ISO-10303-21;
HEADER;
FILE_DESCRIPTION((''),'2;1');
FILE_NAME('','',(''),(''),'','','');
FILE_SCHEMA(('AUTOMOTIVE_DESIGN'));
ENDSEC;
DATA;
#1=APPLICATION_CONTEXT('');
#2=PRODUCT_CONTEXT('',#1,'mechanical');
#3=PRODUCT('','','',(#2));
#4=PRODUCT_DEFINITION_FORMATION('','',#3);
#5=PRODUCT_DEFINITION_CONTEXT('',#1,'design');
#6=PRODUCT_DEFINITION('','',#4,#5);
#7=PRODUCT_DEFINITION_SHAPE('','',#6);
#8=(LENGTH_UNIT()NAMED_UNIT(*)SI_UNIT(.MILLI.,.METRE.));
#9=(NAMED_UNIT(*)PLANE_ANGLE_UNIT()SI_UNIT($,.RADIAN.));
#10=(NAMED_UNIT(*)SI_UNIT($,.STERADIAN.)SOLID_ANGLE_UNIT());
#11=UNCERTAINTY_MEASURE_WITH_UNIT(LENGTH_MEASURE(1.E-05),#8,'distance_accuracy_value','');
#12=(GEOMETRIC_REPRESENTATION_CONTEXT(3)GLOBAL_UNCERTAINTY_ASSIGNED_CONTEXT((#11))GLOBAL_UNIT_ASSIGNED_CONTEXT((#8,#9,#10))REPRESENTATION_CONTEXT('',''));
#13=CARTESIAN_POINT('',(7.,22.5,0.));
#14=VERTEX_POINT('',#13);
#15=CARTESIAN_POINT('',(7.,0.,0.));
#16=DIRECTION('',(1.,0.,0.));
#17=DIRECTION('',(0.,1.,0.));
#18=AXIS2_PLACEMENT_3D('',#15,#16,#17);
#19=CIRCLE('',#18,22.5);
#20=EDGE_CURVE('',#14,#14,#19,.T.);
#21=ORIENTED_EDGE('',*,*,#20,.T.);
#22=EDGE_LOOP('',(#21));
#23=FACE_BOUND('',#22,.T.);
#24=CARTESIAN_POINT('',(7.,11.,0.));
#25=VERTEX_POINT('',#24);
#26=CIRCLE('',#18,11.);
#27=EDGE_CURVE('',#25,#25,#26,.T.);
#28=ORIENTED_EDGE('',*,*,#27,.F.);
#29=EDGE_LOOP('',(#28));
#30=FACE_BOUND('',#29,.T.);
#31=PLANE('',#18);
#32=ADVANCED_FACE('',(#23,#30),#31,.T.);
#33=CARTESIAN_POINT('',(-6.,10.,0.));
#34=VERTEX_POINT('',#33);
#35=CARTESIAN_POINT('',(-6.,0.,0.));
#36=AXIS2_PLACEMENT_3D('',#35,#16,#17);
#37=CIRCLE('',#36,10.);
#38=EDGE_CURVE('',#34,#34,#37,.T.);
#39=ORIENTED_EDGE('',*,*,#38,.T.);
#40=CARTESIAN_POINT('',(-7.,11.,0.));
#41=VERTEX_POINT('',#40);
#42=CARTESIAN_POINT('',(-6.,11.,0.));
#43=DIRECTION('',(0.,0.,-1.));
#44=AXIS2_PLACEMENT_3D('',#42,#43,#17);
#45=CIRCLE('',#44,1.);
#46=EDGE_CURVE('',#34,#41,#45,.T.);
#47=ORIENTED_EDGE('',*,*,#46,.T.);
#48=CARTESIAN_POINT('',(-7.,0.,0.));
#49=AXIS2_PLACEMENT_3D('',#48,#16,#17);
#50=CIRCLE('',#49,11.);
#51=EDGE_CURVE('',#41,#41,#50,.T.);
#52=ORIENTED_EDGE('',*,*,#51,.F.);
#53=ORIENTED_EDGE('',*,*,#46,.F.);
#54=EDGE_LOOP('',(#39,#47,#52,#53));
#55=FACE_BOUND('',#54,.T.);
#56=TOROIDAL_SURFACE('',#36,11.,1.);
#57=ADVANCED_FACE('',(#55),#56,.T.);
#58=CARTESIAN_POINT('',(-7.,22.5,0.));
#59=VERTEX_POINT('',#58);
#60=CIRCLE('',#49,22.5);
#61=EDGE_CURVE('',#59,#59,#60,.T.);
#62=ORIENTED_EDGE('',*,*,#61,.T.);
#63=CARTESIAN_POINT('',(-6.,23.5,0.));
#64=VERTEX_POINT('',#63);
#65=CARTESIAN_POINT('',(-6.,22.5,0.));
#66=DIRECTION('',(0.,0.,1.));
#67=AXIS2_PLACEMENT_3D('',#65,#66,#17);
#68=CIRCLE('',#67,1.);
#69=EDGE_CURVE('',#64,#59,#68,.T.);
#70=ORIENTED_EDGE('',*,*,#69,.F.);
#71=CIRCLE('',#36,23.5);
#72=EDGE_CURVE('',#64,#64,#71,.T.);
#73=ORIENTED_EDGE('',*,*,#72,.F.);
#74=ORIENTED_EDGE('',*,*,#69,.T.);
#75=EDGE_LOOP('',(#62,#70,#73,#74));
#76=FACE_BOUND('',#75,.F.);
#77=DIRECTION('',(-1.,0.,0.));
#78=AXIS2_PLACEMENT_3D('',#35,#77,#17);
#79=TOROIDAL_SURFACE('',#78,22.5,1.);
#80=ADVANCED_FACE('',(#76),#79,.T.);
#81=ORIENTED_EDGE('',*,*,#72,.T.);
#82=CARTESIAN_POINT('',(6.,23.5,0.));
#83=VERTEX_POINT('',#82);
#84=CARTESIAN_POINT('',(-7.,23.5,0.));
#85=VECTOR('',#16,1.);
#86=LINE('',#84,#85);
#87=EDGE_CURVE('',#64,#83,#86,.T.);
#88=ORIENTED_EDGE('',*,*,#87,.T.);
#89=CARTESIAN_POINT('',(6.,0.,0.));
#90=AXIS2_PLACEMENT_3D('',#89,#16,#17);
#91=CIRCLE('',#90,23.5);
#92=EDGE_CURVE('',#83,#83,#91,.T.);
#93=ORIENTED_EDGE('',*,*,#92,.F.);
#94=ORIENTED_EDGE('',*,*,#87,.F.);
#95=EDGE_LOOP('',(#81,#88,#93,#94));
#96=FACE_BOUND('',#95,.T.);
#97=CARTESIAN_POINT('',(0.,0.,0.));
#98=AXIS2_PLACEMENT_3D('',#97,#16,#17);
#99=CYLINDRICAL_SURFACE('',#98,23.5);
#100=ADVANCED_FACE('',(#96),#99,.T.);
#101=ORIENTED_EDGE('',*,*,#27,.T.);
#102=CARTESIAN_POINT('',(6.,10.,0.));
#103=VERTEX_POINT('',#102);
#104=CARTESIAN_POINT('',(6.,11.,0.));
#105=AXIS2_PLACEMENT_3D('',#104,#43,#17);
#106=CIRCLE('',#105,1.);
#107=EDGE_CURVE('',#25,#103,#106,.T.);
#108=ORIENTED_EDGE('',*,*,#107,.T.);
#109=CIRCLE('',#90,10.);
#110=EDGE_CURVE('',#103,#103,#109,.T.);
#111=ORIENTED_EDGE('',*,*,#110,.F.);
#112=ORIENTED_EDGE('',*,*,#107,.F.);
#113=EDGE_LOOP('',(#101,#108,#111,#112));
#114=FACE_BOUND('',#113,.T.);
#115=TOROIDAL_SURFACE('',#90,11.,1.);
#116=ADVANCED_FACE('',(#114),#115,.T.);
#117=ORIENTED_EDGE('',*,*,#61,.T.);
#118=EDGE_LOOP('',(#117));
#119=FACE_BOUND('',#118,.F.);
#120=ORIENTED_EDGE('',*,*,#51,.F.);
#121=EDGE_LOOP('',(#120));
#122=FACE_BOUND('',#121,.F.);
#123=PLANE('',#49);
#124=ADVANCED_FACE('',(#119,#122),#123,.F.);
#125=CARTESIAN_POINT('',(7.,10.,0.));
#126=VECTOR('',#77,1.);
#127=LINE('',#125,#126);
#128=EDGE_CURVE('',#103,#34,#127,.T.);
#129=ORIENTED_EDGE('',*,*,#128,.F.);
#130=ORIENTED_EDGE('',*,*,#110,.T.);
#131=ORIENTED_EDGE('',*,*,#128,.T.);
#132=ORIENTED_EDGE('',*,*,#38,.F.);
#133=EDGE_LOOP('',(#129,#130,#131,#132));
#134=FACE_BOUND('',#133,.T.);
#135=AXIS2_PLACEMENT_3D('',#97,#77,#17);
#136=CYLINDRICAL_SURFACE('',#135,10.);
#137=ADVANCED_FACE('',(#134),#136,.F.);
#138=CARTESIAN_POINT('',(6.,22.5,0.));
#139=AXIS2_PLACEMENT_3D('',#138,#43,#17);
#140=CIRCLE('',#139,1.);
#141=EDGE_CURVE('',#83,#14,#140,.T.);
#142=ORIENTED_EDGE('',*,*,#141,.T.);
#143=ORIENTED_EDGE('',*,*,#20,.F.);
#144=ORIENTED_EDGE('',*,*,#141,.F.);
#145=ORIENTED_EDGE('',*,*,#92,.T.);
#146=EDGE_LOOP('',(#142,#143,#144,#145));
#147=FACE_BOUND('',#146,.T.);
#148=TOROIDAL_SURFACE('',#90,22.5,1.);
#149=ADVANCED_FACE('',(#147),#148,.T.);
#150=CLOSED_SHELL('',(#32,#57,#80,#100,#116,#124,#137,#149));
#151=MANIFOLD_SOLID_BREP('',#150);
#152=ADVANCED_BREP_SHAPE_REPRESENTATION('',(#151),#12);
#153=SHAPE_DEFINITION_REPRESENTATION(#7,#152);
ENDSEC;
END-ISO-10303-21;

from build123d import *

# Parameters (mm, degrees)
F0_R     = 23.5
F0_R_2   = 10
F1_DEPTH = 7
F2_R     = 1


with BuildPart() as f1:
    # F0 (on Right) → F1 (new body, symmetric)
    with BuildSketch(Plane.YZ):
        Circle(F0_R)
        Circle(F0_R_2, mode=Mode.SUBTRACT)
    extrude(amount=F1_DEPTH, both=True)

    # F2
    f2_edges = [f1.edges().sort_by_distance(p)[0] for p in [
        (7, -23.5, 0),
        (7, -10, 0),
        (-7, -23.5, 0),
        (-7, -10, 0),
    ]]
    fillet(f2_edges, radius=F2_R)


solid = f1.part
